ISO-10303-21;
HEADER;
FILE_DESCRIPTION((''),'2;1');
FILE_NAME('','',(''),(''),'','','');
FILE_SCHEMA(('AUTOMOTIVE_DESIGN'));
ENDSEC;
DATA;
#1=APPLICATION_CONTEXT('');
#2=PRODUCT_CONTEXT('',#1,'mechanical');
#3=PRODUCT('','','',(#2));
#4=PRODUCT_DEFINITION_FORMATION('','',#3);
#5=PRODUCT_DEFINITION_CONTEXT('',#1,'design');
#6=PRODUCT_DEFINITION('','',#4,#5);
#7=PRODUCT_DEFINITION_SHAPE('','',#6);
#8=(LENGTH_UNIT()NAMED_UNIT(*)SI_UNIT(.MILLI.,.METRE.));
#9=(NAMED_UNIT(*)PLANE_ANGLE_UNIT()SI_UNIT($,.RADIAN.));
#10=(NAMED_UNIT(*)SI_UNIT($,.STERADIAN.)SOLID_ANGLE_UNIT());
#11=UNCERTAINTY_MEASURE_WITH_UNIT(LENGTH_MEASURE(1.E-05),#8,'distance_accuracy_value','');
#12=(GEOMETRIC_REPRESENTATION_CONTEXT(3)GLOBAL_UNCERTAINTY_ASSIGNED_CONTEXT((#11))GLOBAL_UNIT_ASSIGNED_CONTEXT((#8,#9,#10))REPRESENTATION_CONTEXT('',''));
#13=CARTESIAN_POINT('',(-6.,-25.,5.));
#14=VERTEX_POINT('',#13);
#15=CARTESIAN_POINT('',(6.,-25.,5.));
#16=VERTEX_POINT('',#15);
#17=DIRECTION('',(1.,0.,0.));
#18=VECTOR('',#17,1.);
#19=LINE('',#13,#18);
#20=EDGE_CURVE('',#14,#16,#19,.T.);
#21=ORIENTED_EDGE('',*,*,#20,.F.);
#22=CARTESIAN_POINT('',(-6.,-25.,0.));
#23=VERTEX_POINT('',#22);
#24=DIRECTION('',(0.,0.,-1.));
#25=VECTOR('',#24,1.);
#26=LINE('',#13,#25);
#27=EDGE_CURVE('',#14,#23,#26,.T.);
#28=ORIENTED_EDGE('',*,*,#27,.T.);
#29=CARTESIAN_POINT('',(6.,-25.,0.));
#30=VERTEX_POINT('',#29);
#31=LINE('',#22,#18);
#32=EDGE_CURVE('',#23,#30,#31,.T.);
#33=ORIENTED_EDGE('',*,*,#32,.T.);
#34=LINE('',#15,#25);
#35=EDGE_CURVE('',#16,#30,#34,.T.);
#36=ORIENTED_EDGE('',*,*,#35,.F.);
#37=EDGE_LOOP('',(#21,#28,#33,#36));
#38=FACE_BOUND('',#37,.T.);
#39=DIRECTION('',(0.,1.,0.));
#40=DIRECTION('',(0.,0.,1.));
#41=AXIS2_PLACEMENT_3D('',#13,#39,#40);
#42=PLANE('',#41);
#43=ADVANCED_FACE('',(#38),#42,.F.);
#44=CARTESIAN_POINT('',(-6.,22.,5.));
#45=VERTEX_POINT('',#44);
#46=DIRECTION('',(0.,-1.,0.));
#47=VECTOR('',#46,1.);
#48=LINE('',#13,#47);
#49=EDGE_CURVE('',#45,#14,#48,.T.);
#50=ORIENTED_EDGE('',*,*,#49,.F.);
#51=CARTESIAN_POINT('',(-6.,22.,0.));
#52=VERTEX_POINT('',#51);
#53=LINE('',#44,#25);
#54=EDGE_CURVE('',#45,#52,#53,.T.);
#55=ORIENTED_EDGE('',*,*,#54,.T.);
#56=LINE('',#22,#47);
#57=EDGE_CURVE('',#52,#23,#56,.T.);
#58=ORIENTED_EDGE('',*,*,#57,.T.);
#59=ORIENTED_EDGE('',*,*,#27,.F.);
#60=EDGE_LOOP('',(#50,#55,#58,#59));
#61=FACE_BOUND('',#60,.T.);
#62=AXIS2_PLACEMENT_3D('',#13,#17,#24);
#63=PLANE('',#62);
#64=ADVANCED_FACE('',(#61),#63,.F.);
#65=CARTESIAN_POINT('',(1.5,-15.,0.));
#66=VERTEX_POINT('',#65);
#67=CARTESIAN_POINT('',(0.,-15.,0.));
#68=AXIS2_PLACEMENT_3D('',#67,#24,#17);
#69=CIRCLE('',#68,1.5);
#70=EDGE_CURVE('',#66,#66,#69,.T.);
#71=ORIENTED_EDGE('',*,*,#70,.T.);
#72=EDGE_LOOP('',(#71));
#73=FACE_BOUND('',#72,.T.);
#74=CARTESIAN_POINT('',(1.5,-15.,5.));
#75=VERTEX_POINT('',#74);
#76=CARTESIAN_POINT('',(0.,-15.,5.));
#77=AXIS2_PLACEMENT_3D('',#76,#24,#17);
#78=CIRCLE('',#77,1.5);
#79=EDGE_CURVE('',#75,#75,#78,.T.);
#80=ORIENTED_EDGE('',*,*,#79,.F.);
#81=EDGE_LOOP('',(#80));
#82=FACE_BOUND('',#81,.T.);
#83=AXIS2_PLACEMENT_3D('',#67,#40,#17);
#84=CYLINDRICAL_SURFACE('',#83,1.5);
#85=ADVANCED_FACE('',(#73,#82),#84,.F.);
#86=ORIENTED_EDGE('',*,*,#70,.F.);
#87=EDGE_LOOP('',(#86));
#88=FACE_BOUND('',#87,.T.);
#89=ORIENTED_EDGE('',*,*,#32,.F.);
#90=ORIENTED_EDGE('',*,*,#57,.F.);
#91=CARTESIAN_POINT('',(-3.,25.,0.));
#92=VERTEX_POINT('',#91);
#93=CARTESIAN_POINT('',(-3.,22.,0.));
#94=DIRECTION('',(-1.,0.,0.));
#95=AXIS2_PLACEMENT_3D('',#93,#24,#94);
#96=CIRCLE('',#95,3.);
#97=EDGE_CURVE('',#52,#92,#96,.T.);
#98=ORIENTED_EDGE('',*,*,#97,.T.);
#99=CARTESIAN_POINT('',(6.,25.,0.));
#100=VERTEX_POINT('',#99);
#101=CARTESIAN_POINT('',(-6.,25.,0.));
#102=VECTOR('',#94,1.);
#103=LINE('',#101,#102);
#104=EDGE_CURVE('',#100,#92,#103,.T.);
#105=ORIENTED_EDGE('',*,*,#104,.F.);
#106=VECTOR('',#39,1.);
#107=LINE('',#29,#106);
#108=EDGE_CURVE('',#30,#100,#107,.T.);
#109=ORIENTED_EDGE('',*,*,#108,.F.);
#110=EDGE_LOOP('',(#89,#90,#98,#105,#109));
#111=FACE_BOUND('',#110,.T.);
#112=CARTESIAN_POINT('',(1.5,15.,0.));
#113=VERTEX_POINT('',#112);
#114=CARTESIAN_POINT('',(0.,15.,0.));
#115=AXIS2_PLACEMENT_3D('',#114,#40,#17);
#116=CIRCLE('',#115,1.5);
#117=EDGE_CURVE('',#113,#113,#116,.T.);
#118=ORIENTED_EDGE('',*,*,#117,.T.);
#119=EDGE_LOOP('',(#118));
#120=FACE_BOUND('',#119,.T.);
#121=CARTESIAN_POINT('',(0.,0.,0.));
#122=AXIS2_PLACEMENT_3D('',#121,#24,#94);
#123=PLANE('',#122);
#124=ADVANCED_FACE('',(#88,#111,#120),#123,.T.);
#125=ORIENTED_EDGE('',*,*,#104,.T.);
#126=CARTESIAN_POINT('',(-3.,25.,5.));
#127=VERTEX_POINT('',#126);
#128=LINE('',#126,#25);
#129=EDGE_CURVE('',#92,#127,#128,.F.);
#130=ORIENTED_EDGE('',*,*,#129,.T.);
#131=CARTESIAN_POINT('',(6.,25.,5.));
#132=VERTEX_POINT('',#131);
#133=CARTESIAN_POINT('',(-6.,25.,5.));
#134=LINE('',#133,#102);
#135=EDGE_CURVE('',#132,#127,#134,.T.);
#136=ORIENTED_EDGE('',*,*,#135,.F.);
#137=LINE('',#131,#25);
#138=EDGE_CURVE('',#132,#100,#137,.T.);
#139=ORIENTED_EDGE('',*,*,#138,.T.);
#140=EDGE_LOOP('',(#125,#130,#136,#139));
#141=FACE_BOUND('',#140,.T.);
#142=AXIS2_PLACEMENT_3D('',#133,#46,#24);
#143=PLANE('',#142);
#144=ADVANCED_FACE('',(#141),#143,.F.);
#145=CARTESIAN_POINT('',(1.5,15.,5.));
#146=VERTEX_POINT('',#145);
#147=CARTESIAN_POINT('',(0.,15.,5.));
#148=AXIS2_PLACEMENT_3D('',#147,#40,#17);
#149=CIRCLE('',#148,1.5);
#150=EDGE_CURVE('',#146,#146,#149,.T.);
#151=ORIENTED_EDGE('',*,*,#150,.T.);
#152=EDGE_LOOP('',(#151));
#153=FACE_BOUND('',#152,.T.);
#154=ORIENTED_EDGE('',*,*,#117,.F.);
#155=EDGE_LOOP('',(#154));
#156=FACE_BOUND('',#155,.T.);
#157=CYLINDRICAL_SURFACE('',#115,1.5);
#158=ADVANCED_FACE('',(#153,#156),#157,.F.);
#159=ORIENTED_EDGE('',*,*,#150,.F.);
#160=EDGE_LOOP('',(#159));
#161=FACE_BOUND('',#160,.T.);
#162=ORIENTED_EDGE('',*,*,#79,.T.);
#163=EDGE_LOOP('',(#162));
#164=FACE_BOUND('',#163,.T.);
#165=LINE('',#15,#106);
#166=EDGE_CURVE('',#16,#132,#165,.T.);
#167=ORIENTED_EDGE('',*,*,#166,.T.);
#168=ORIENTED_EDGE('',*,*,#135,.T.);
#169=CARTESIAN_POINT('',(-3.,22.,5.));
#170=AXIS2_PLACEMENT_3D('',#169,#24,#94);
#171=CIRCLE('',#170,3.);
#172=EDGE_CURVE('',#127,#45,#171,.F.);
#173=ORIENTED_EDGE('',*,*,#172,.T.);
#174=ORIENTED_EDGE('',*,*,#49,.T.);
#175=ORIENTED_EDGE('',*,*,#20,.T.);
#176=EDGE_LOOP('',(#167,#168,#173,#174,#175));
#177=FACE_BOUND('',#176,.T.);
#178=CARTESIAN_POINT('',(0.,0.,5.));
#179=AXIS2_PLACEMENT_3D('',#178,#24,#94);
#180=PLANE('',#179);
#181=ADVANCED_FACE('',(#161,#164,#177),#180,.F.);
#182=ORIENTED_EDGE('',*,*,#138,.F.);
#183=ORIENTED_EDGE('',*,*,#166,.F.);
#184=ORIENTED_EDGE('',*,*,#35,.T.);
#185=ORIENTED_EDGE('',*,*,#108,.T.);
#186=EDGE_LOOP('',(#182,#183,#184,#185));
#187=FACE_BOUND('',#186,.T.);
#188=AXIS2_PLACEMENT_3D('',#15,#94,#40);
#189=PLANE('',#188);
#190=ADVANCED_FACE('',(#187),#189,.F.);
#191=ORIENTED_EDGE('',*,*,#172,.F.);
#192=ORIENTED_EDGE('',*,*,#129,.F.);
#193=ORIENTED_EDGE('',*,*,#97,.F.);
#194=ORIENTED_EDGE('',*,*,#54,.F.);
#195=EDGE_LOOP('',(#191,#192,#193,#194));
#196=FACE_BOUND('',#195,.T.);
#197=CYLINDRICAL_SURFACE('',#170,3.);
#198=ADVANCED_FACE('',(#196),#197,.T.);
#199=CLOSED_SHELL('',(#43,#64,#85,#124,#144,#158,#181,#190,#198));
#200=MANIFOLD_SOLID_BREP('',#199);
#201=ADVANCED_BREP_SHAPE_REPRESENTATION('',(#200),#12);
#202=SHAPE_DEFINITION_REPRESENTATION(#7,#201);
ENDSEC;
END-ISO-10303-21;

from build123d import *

# Parameters (mm, degrees)
SKETCH_1_W          = 12
SKETCH_1_H          = 50
EXTRUDE_1_DEPTH     = 5
SKETCH_2_R          = 1.5
CUT_EXTRUDE_1_DEPTH = 27.191601707
FILLET_2_R          = 3


with BuildPart() as part:
    # 草图1 → 凸台-拉伸1 (new body)
    with BuildSketch(Plane.XY):
        Rectangle(SKETCH_1_W, SKETCH_1_H)
    extrude(amount=EXTRUDE_1_DEPTH)

    # 草图2 → 切除-拉伸1 (cut, through all)
    with BuildSketch(Plane.XY.offset(5)):
        with Locations((0, 15)):
            Circle(SKETCH_2_R)
    cut_extrude_1 = extrude(amount=-CUT_EXTRUDE_1_DEPTH, mode=Mode.SUBTRACT)

    # 镜向1: 切除-拉伸1 across plane
    add(cut_extrude_1.mirror(Plane.ZX), mode=Mode.SUBTRACT)

    # 圆角2
    fillet_2_edges = [part.edges().sort_by_distance(p)[0] for p in [
        (-6, 25, 2.5),
    ]]
    fillet(fillet_2_edges, radius=FILLET_2_R)


solid = part.part
